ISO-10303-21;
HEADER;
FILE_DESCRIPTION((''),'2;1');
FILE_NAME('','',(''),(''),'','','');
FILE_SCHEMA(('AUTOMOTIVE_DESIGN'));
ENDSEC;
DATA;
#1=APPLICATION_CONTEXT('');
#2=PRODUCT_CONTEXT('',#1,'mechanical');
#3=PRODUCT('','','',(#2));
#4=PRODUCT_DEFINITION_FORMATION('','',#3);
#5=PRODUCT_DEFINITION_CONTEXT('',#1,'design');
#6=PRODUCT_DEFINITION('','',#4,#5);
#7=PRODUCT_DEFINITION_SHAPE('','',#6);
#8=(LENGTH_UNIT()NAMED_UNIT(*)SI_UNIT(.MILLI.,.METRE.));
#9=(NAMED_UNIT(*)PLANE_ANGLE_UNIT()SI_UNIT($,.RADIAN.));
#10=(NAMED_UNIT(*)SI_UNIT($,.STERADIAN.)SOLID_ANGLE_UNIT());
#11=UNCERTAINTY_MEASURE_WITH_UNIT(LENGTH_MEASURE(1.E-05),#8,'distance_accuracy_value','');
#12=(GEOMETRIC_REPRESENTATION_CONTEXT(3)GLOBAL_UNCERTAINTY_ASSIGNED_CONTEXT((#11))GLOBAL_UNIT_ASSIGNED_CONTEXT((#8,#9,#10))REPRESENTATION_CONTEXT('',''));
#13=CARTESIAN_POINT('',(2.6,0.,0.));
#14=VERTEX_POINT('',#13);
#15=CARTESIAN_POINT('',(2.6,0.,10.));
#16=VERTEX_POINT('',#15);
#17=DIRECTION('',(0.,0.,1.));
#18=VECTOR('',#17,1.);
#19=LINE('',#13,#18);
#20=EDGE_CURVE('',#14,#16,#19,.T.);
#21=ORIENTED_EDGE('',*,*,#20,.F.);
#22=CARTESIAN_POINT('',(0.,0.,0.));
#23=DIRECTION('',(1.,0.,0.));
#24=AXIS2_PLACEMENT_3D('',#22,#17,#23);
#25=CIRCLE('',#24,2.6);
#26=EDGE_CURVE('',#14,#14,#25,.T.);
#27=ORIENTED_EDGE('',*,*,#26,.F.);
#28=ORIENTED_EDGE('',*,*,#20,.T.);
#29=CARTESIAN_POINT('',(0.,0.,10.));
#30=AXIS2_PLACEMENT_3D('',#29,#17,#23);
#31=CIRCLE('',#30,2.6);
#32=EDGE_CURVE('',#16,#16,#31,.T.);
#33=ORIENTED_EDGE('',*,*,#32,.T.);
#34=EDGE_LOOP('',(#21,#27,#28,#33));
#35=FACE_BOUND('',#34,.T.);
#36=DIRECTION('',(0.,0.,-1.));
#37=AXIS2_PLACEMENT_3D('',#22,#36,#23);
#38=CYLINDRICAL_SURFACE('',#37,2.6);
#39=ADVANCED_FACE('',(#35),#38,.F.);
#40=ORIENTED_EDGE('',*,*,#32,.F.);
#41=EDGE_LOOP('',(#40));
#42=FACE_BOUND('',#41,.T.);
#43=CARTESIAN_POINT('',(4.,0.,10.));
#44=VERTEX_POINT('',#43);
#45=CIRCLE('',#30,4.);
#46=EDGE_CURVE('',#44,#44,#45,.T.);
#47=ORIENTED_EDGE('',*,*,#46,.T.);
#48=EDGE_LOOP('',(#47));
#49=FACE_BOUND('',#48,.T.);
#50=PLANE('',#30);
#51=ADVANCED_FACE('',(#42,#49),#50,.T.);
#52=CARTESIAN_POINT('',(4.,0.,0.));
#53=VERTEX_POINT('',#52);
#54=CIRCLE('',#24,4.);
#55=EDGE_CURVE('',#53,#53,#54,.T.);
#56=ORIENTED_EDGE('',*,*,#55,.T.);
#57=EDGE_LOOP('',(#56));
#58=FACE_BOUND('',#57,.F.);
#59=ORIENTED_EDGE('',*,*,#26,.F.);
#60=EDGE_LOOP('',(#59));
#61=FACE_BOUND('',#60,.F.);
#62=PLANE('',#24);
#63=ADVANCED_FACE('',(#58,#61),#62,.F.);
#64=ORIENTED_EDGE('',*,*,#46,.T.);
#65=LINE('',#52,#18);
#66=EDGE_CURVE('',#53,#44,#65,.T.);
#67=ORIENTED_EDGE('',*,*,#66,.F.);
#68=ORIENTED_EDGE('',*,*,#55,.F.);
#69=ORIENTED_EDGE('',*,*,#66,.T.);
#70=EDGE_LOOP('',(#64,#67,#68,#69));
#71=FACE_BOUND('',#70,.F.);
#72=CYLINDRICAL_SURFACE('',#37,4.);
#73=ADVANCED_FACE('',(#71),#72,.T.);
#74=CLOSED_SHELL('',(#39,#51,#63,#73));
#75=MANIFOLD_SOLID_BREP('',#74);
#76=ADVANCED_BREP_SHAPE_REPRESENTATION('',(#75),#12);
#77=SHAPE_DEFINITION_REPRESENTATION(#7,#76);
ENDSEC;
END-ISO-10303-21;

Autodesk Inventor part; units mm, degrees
ref_plane "YZ Plane" through (0, 0, 0) normal (1, 0, 0) x (0, 1, 0)
ref_plane "XZ Plane" through (0, 0, 0) normal (0, 1, 0) x (-1, 0, 0)
ref_plane "XY Plane" through (0, 0, 0) normal (0, 0, 1) x (1, 0, 0)
sketch "Эскиз1" plane through (0, 0, 0) normal (0, 0, 1) x (1, 0, 0)
  circle A0 centre (0, 0) radius 2.6
  circle A1 centre (0, 0) radius 4
  dimension "d0" = 5.2
  dimension "d1" = 8
extrude "Выдавливание1" add sketch "Эскиз1" along normal blind 10
properties part number "Трубка рычага"
